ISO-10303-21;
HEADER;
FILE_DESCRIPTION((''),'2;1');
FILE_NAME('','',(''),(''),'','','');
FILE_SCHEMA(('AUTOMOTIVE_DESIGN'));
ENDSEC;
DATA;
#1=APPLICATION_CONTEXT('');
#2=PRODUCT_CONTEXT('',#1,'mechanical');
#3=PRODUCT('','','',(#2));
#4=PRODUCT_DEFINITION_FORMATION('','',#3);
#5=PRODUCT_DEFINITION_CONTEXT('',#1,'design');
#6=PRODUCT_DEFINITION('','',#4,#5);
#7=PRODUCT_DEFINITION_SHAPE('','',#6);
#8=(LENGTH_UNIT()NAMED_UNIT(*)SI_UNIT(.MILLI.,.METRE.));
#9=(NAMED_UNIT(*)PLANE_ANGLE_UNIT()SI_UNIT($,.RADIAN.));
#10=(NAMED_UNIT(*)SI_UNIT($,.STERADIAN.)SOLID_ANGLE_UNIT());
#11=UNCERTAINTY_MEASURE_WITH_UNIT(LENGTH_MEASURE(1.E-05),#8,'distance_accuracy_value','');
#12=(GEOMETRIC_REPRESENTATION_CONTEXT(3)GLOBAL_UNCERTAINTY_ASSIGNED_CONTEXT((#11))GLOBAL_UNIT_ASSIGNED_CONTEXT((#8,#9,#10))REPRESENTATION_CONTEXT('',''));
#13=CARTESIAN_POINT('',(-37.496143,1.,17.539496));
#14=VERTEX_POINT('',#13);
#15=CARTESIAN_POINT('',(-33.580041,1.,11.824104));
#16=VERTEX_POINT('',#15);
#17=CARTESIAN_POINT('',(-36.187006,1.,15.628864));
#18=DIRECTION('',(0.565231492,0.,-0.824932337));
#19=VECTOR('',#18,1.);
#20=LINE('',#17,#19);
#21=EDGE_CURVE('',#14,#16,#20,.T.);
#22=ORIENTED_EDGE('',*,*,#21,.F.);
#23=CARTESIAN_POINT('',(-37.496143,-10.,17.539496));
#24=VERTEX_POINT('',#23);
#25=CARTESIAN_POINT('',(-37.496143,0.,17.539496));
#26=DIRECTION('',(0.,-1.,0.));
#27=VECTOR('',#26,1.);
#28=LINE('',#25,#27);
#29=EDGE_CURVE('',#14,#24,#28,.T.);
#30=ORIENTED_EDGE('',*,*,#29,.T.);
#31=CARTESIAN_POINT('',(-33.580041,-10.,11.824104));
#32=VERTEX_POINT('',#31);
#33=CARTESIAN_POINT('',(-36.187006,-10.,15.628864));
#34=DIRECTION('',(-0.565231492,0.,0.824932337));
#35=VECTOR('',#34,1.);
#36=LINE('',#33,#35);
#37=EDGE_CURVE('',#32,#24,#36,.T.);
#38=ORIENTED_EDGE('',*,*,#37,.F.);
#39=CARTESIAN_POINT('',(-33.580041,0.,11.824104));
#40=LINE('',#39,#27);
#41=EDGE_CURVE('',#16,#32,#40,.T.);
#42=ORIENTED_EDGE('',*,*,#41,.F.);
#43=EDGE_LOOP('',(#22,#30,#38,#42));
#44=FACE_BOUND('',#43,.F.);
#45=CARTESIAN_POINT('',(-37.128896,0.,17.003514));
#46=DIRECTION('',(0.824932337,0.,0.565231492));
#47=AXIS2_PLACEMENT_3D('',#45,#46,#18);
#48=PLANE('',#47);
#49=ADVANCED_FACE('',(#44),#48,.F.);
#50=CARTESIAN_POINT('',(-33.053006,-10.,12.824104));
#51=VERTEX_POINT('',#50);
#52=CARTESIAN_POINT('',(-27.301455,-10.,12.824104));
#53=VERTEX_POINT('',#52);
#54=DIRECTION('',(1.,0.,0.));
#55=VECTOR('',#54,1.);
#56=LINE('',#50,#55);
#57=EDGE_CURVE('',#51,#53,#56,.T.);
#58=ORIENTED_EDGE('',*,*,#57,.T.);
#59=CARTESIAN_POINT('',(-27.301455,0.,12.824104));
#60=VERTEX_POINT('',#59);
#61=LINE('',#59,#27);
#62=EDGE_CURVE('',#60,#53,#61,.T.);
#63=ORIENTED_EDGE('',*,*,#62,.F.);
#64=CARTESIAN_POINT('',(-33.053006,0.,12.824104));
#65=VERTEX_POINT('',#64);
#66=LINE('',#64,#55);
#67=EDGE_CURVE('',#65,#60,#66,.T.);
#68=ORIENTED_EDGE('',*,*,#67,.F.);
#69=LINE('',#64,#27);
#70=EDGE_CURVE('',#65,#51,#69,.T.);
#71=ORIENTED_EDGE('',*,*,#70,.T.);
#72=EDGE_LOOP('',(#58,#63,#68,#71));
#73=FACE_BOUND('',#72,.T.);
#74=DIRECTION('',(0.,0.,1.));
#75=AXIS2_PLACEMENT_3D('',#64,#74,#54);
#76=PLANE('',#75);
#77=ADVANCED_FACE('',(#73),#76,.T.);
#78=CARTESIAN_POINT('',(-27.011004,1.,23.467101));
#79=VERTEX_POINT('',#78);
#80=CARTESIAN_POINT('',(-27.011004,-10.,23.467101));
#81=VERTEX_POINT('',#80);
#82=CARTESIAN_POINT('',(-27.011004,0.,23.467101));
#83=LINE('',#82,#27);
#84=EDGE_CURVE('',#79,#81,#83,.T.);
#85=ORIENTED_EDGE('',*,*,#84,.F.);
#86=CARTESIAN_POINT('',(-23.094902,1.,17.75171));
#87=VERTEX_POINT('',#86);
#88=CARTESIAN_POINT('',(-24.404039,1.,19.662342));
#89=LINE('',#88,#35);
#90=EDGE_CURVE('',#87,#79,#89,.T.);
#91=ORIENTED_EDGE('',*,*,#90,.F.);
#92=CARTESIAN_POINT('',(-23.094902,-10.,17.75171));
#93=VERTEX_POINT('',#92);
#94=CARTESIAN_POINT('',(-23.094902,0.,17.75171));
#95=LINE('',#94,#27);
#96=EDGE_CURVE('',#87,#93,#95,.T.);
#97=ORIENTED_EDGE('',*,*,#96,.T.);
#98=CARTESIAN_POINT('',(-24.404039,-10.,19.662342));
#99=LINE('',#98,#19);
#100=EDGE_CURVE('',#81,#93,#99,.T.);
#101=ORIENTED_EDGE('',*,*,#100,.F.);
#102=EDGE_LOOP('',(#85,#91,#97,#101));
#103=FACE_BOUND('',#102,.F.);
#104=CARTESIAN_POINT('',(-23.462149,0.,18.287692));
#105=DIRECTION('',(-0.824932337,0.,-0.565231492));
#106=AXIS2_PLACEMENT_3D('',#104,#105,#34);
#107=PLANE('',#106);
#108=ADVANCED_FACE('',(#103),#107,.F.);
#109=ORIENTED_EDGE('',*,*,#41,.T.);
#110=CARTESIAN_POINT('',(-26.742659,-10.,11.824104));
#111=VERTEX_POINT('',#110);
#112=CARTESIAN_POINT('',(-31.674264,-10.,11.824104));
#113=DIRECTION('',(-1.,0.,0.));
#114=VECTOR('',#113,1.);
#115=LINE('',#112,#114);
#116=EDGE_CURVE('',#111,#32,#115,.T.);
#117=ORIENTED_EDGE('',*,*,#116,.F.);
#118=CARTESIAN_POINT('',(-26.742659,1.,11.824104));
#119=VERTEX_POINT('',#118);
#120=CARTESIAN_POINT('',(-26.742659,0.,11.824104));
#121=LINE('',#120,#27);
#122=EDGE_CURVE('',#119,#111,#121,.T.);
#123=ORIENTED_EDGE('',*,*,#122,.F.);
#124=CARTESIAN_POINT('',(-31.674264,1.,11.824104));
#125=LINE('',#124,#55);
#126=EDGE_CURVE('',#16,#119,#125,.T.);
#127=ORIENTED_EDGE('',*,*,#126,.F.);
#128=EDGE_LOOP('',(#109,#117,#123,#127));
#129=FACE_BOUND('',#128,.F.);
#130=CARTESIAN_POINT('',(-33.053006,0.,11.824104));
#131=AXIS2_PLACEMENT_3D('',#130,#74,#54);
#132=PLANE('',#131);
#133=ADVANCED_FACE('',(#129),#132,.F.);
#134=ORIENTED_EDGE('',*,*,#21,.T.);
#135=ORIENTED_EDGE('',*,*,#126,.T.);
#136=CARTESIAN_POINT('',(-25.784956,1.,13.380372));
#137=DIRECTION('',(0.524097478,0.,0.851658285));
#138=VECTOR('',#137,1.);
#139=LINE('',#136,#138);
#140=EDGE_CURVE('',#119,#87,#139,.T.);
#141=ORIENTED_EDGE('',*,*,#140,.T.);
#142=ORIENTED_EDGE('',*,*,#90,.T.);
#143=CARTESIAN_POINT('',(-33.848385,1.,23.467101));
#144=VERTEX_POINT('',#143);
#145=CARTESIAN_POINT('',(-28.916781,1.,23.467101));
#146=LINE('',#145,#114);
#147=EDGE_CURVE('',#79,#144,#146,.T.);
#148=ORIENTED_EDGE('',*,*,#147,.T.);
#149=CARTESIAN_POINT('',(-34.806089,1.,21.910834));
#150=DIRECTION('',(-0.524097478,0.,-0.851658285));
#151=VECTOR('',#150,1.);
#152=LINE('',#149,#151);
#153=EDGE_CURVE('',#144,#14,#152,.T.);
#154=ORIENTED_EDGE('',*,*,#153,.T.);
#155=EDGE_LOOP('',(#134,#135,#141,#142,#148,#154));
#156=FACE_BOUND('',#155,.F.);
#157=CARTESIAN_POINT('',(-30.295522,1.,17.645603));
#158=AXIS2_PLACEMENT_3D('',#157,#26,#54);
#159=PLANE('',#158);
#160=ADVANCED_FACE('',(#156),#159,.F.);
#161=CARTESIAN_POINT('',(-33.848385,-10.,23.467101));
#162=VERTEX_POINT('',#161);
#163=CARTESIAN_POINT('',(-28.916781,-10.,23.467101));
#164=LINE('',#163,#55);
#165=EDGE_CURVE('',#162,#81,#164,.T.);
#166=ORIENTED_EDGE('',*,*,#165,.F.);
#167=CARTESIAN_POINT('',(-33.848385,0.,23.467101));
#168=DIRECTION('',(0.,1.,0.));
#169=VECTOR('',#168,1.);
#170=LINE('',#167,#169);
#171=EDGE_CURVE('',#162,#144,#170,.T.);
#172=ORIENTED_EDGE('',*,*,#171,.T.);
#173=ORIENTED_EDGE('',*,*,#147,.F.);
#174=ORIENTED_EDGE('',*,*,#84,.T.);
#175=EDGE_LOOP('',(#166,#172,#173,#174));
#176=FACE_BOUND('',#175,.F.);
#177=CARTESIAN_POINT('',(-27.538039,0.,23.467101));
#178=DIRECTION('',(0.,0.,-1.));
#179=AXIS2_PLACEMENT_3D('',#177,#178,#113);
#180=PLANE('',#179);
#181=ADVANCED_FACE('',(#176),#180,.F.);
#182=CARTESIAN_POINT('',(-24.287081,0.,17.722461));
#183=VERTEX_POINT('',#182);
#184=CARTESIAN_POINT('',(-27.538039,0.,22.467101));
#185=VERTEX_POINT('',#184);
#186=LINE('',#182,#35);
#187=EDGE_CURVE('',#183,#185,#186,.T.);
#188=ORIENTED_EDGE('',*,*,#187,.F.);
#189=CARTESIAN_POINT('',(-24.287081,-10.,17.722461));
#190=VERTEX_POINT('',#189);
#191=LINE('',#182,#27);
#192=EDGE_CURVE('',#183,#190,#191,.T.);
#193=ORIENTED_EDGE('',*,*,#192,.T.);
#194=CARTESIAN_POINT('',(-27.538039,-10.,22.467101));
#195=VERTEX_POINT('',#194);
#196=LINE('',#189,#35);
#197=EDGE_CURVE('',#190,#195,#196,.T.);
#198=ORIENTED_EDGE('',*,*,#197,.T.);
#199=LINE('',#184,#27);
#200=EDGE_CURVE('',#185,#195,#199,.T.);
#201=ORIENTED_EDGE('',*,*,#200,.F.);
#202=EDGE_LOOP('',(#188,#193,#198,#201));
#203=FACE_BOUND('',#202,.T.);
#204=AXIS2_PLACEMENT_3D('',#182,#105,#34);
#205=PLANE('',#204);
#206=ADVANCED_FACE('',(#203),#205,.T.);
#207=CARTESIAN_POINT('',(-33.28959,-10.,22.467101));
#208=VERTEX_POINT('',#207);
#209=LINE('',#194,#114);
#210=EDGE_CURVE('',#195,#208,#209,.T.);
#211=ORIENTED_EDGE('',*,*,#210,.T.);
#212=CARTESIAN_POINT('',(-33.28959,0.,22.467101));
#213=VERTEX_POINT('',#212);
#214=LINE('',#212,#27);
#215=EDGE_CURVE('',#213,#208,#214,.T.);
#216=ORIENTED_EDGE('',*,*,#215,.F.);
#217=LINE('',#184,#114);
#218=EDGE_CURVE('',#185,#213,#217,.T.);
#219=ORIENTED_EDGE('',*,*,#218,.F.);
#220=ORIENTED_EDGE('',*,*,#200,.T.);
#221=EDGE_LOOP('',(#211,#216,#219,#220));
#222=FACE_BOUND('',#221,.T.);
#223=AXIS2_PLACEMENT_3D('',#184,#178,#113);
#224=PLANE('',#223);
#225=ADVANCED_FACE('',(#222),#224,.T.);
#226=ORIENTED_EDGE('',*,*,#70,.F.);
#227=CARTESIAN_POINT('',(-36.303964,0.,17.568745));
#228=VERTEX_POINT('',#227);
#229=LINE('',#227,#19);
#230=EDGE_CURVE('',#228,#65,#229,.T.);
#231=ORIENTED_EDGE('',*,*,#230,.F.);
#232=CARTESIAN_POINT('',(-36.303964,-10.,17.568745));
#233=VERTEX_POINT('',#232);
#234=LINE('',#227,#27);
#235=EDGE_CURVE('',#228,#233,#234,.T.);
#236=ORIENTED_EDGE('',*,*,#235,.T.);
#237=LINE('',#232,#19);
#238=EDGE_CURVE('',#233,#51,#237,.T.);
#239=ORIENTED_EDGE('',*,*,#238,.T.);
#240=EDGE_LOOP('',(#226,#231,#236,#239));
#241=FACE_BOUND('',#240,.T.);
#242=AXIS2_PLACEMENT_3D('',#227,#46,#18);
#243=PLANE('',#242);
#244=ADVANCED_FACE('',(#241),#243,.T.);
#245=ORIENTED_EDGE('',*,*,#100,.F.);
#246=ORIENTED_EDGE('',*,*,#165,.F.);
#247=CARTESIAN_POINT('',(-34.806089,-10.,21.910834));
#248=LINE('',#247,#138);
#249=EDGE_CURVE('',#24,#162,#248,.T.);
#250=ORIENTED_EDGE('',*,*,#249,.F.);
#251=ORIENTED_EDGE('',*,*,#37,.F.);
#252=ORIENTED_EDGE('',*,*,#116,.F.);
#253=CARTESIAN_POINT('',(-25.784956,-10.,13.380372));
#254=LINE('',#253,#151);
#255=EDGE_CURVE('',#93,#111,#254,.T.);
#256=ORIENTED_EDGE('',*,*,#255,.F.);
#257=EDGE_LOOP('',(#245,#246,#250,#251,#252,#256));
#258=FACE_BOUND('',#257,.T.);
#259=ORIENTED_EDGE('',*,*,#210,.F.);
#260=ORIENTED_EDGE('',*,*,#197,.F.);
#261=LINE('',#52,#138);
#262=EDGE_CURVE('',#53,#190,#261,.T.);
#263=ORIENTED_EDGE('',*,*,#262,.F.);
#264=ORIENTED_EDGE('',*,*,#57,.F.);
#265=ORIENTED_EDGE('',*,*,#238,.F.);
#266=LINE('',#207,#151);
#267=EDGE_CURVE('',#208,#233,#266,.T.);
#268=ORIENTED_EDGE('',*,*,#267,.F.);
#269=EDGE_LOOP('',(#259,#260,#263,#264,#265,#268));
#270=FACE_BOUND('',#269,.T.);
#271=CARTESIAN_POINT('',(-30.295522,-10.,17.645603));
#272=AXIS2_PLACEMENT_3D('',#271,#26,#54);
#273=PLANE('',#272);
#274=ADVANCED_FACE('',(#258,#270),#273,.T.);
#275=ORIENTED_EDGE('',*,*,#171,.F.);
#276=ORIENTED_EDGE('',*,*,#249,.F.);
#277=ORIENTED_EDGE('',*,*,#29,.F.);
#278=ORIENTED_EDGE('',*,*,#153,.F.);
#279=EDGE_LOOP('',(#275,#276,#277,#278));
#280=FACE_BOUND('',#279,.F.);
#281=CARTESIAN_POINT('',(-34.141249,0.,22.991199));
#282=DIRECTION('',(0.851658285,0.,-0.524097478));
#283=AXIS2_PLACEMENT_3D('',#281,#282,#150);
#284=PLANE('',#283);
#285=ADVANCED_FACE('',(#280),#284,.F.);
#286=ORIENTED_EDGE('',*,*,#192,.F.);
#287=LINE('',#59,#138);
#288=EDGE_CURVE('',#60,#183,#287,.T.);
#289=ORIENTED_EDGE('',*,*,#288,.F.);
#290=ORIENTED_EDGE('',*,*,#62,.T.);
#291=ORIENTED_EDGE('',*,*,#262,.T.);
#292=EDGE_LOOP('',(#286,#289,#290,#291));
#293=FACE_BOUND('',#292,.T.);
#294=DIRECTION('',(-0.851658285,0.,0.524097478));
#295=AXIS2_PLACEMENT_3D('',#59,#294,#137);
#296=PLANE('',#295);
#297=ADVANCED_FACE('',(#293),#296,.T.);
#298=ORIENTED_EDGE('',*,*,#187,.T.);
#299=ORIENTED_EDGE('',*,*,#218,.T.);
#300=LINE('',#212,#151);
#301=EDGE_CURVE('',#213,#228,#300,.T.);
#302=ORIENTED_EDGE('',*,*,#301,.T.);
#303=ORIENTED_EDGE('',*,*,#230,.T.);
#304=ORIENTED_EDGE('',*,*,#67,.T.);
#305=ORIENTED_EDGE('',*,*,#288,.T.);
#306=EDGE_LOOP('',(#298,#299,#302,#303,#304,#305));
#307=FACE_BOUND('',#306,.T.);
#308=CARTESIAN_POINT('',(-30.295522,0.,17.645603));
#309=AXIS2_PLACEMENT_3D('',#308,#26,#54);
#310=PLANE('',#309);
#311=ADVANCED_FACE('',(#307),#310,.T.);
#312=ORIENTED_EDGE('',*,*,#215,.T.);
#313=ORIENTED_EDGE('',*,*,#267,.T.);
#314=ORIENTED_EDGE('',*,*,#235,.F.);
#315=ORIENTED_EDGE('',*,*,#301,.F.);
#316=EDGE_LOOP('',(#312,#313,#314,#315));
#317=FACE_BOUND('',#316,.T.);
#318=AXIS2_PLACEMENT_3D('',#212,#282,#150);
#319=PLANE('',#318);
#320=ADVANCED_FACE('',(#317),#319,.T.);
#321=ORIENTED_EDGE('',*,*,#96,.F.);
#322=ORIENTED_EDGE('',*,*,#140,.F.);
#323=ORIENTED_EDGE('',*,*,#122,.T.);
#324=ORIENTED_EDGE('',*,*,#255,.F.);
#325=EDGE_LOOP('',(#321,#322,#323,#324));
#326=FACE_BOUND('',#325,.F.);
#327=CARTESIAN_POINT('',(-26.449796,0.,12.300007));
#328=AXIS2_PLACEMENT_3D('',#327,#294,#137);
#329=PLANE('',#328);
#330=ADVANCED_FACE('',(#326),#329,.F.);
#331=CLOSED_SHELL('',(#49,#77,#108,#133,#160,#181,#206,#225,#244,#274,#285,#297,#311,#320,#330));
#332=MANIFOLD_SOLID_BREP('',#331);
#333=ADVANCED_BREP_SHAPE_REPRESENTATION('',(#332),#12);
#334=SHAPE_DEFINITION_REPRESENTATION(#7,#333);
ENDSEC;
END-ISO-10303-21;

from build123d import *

# Parameters (mm, degrees)
F1_DEPTH = 10
F2_T     = 1


with BuildPart() as f1:
    # F0 (on Front) → F1 (new body)
    with BuildSketch(Plane.XZ):
        Polygon((-33.2895902376, 22.4671012992), (-36.3039637367, 17.568745036), (-33.0530058498, 12.8241044288), (-27.3014546092, 12.8241044288), (-24.2870811101, 17.7224606921), (-27.538038997, 22.4671012992), align=None)
    extrude(amount=F1_DEPTH)

    # F2
    f2_openings = [f1.faces().sort_by_distance(p)[0] for p in [
        (-30.295522, -10, 17.645603),
    ]]
    offset(amount=F2_T, openings=f2_openings, kind=Kind.INTERSECTION)


solid = f1.part
